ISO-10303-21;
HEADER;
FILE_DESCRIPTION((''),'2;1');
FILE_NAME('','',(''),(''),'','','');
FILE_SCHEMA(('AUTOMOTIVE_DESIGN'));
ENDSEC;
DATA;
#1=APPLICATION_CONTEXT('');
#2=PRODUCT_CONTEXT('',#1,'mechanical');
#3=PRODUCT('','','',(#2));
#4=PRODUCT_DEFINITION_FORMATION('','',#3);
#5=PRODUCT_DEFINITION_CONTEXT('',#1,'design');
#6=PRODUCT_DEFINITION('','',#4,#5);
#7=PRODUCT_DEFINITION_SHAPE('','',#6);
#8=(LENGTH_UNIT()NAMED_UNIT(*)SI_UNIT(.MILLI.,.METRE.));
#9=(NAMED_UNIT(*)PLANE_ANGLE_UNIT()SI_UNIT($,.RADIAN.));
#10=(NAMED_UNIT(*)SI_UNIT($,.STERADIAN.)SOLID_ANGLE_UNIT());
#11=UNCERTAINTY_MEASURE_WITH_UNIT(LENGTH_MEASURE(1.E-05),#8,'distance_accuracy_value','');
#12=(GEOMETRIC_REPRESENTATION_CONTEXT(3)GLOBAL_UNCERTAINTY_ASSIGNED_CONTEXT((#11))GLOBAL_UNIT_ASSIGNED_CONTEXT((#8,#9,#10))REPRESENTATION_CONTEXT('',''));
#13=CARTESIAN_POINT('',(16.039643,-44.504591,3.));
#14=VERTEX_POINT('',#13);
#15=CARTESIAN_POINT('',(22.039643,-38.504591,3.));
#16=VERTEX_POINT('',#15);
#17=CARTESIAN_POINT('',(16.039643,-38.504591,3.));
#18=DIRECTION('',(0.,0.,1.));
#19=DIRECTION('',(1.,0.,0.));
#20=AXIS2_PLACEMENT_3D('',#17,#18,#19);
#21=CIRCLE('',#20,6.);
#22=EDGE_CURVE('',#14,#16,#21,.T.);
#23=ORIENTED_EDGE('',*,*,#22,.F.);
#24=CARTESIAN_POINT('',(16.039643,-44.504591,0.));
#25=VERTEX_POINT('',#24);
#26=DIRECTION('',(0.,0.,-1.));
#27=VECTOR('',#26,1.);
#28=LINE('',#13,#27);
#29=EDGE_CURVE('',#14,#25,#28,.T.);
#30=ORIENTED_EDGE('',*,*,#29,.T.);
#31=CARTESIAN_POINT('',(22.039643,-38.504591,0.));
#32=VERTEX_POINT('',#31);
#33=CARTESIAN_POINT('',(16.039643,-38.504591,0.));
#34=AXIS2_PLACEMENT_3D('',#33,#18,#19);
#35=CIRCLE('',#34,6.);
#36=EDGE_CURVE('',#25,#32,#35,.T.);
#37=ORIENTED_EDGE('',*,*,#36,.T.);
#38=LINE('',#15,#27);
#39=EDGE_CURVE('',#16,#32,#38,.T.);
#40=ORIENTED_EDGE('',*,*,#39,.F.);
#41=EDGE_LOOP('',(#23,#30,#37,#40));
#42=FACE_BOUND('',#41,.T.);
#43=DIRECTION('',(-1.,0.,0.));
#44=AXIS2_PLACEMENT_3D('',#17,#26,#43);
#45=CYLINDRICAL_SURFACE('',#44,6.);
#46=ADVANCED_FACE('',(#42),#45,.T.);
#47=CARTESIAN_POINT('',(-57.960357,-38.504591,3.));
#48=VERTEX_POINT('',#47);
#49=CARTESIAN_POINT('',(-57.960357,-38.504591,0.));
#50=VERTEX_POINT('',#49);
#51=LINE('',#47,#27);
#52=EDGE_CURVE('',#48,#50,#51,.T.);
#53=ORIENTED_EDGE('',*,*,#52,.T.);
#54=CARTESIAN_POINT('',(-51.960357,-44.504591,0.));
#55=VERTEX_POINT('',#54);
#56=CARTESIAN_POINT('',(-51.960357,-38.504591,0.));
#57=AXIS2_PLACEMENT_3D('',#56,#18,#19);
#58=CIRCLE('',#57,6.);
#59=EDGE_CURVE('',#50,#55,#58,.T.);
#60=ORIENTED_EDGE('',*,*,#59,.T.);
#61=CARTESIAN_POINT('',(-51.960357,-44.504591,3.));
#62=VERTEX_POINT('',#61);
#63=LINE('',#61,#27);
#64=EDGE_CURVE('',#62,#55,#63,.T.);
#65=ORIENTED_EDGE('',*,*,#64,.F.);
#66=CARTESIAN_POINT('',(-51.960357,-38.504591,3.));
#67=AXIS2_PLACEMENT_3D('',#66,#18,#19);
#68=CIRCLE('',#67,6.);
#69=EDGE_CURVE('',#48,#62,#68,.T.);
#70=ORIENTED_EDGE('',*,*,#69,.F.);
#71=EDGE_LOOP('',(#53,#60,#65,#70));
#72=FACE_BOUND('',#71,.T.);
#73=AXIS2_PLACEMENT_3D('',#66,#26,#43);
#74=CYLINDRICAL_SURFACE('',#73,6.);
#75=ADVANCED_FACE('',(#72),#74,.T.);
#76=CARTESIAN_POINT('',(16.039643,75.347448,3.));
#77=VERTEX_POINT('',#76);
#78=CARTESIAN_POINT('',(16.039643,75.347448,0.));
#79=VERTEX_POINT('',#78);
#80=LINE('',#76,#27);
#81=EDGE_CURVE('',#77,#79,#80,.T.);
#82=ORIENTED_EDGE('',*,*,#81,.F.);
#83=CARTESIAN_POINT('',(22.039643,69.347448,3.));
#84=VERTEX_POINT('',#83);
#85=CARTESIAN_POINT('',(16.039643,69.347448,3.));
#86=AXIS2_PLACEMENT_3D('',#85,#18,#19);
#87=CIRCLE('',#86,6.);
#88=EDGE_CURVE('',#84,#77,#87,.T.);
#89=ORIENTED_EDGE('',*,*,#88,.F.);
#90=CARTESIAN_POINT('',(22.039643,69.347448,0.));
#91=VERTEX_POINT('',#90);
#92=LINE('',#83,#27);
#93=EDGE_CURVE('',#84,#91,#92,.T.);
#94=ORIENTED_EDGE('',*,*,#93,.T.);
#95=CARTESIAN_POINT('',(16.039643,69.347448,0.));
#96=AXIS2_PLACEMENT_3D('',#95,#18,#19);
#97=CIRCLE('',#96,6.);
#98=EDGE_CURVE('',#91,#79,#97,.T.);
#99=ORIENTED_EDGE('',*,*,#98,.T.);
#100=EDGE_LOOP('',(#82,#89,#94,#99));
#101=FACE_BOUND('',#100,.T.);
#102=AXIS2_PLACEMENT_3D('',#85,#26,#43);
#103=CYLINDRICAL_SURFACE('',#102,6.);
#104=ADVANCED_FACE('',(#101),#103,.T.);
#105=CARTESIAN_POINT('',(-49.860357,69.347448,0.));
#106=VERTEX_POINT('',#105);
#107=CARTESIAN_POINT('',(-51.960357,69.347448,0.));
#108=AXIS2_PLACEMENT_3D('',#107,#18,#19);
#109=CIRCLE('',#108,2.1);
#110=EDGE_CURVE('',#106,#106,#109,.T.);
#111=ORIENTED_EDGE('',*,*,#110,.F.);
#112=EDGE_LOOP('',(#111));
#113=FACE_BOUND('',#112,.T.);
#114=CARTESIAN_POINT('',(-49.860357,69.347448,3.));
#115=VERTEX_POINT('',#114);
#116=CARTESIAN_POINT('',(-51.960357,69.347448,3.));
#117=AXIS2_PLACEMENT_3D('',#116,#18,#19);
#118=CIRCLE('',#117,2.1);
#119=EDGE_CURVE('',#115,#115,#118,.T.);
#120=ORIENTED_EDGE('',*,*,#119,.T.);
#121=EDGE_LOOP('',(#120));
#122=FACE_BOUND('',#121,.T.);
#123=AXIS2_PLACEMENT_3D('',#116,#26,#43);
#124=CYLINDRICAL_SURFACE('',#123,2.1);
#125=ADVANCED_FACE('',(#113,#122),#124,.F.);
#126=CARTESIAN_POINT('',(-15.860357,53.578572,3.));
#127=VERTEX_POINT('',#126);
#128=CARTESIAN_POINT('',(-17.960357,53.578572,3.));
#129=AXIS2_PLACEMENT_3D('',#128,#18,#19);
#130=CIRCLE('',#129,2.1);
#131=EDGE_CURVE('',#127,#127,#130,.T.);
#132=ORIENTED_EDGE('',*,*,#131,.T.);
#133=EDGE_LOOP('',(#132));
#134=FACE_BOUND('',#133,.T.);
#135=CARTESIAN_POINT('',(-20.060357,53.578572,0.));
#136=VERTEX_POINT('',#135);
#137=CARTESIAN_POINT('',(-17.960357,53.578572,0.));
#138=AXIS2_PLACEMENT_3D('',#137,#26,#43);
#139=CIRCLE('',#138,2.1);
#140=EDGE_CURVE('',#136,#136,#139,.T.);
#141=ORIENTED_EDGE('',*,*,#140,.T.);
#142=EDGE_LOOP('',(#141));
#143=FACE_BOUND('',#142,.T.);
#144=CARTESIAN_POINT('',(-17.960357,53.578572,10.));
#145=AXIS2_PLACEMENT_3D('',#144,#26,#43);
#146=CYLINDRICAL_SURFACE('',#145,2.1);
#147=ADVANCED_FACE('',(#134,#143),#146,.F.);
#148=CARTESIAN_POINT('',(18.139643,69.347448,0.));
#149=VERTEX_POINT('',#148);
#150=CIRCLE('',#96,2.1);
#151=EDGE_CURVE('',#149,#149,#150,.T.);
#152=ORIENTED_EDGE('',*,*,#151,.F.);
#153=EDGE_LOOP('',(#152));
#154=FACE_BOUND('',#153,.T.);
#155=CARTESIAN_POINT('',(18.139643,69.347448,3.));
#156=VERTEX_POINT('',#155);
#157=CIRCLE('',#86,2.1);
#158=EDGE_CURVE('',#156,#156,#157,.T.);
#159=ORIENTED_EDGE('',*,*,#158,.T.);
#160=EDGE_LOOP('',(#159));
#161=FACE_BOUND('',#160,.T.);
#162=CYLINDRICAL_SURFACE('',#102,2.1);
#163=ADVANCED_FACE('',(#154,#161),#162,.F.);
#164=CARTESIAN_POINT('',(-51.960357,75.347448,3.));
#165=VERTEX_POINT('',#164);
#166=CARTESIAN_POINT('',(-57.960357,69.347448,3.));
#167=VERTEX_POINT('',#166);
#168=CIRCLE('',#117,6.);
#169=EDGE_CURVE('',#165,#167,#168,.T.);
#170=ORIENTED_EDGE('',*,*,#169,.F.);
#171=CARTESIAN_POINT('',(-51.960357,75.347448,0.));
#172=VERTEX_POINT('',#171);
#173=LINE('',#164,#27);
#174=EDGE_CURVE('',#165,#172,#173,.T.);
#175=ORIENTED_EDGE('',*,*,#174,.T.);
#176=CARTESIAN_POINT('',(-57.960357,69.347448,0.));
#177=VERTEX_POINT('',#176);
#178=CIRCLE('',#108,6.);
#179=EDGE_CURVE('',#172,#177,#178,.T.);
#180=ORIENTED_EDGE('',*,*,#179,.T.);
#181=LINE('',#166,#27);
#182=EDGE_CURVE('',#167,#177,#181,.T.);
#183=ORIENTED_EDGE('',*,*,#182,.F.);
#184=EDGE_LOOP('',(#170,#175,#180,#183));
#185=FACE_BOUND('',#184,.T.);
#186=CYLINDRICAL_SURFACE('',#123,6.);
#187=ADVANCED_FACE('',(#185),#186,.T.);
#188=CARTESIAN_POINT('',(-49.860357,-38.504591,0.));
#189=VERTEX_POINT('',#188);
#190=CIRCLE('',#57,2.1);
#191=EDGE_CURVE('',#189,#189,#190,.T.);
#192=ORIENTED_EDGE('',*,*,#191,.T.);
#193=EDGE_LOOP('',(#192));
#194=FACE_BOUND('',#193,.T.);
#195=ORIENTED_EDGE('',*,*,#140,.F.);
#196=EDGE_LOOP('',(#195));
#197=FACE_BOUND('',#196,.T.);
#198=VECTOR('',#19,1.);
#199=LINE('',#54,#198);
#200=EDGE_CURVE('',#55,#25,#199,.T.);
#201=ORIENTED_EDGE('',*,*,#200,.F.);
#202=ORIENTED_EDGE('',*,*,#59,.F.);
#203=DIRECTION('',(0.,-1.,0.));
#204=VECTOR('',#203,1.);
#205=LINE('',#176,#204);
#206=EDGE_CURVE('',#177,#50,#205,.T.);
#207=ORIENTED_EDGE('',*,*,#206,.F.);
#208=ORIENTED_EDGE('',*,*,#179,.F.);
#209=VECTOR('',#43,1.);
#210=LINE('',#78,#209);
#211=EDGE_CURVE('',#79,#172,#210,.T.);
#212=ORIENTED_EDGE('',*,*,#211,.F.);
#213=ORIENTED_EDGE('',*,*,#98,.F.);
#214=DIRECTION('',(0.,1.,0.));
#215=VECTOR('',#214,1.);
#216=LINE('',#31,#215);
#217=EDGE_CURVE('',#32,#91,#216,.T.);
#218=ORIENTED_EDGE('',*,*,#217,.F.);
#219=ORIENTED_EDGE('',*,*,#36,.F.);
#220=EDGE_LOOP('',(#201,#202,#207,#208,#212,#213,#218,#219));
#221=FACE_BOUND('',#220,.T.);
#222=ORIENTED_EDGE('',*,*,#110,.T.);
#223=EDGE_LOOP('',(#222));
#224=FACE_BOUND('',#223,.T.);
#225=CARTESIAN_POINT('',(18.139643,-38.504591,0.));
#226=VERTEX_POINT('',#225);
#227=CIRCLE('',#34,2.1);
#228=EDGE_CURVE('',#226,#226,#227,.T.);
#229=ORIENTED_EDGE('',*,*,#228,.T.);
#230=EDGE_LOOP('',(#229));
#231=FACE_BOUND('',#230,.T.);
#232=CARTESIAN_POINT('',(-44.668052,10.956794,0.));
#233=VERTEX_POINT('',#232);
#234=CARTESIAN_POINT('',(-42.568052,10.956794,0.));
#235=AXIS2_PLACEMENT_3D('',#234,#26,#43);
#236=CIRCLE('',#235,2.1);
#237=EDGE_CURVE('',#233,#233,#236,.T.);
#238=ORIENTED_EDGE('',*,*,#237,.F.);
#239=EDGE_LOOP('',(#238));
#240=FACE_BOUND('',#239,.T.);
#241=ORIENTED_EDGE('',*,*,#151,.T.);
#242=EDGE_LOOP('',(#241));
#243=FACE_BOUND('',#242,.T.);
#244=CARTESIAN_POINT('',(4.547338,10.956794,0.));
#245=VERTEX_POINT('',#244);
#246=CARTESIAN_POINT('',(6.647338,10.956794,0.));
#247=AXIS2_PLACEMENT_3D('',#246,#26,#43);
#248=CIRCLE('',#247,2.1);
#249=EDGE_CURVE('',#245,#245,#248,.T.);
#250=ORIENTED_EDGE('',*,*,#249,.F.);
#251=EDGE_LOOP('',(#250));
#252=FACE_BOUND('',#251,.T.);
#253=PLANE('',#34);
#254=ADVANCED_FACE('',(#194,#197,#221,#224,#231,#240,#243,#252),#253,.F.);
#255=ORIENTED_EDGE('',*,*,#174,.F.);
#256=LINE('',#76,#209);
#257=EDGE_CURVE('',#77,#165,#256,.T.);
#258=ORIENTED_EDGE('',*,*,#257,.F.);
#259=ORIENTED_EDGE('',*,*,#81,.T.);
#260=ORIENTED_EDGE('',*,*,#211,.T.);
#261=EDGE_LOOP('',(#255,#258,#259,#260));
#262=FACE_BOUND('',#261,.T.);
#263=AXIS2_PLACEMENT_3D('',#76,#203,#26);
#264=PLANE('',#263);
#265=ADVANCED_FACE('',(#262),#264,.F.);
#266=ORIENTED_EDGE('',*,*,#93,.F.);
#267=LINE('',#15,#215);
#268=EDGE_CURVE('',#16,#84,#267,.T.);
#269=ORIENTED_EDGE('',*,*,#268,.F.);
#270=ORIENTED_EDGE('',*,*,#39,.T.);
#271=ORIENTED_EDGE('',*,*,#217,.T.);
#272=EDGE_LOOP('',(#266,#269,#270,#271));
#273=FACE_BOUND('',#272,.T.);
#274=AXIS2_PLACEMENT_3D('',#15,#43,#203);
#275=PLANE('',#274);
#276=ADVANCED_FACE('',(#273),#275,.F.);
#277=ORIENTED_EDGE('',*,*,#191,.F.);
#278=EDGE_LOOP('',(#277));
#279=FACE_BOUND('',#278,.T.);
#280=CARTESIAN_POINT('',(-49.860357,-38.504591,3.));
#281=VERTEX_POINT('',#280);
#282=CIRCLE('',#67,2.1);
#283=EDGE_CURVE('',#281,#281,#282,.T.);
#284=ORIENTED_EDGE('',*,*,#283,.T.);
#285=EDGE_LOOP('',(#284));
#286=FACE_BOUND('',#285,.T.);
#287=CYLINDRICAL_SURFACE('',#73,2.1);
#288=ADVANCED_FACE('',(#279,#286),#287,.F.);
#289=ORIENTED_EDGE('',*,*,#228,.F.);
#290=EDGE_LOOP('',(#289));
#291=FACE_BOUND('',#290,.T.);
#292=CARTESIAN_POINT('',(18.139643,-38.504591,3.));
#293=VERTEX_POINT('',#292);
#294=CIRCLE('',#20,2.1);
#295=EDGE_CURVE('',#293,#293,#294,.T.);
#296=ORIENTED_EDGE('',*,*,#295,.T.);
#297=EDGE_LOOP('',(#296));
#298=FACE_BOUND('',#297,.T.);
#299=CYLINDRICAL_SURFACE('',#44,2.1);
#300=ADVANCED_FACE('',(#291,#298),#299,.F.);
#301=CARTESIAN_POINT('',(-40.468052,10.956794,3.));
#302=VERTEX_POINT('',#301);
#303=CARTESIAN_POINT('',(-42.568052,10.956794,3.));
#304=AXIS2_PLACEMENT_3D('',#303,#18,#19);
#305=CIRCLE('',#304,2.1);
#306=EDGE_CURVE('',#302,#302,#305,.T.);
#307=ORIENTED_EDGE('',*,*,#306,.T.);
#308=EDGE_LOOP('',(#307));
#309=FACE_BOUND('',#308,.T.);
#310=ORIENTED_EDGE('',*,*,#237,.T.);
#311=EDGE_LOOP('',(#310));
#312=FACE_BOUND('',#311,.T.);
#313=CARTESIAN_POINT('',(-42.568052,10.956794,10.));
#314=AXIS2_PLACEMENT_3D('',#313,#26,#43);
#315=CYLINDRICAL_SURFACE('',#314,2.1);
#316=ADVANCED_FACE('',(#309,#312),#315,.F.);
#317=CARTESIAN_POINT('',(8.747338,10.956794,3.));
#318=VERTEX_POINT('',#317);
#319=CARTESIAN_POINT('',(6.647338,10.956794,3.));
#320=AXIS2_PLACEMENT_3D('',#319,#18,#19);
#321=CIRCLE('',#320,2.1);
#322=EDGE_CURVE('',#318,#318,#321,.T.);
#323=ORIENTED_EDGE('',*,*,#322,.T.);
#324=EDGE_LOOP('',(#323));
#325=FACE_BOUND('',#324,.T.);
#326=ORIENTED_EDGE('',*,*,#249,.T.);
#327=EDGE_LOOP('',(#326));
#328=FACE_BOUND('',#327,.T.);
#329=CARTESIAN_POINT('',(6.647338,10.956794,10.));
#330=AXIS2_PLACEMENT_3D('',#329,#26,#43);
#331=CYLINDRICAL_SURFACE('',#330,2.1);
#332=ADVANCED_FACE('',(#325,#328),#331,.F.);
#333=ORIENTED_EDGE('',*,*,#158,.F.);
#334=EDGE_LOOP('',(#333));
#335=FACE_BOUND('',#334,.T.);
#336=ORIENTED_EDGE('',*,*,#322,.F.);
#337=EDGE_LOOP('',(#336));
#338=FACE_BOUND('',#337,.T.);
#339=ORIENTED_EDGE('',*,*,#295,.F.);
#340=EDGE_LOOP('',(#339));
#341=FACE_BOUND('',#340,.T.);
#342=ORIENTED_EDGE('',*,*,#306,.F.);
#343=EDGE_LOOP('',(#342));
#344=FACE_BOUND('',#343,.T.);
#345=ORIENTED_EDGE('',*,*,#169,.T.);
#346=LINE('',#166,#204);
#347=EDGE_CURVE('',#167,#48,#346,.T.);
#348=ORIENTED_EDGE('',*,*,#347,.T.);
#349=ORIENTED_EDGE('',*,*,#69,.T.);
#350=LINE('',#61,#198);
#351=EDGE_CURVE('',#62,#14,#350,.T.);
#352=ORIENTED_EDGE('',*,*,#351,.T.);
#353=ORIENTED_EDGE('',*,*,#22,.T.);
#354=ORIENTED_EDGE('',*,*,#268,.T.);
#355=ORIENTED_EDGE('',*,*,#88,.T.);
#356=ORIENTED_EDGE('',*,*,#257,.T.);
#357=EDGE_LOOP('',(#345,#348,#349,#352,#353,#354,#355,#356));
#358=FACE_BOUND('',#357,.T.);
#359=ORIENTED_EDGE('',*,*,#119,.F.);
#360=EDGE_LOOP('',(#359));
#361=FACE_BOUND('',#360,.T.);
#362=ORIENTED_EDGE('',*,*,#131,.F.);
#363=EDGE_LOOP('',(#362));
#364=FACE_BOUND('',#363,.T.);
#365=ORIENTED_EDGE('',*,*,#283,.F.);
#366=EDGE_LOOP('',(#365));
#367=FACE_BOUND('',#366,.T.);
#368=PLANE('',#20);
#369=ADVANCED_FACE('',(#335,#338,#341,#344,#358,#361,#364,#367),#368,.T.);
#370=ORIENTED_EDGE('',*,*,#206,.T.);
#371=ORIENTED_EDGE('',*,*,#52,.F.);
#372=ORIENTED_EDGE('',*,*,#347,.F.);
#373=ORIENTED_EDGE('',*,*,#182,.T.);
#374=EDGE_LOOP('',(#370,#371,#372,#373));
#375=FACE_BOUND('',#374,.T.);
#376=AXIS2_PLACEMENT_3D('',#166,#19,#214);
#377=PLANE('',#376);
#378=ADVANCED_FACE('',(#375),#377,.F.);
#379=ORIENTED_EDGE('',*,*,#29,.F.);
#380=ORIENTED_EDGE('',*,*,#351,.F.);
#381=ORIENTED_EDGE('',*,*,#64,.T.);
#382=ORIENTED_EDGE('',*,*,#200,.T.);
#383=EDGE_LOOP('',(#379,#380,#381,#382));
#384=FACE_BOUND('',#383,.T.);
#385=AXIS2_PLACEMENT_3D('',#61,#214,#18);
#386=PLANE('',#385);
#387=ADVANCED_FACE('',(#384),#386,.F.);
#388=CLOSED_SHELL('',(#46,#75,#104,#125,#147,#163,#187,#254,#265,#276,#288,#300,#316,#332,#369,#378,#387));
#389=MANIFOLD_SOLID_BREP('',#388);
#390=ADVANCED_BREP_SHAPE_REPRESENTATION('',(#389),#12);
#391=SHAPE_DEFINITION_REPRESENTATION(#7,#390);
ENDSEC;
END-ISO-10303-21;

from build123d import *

# Parameters (mm, degrees)
IZIM1_R                     = 2.1
Y_KSEKLIK_EKSTR_ZYON1_DEPTH = 3
IZIM2_R                     = 2.1
KES_EKSTR_ZYON1_DEPTH       = 10


with BuildPart() as part:
    # Çizim1 → Yükseklik-Ekstrüzyon1 (new body)
    with BuildSketch(Plane.XY):
        with BuildLine():
            Line((22.039642989, -38.504590939), (22.039642989, 69.347448082))
            ThreePointArc((22.039642989, 69.347448082), (20.282283676, 73.590088769), (16.039642989, 75.347448082))
            Line((16.039642989, 75.347448082), (-51.960357011, 75.347448082))
            ThreePointArc((-51.960357011, 75.347448082), (-56.202997698, 73.590088769), (-57.960357011, 69.347448082))
            Line((-57.960357011, 69.347448082), (-57.960357011, -38.504590939))
            ThreePointArc((-57.960357011, -38.504590939), (-56.202997698, -42.747231626), (-51.960357011, -44.504590939))
            Line((-51.960357011, -44.504590939), (16.039642989, -44.504590939))
            ThreePointArc((16.039642989, -44.504590939), (20.282283676, -42.747231626), (22.039642989, -38.504590939))
        make_face()
        with Locations((-51.960357011, -38.504590939)):
            Circle(IZIM1_R, mode=Mode.SUBTRACT)
        with Locations((16.039642989, -38.504590939)):
            Circle(IZIM1_R, mode=Mode.SUBTRACT)
        with Locations((16.039642989, 69.347448082)):
            Circle(IZIM1_R, mode=Mode.SUBTRACT)
        with Locations((-51.960357011, 69.347448082)):
            Circle(IZIM1_R, mode=Mode.SUBTRACT)
    extrude(amount=Y_KSEKLIK_EKSTR_ZYON1_DEPTH)

    # Çizim2 → Kes-Ekstrüzyon1 (cut)
    with BuildSketch(Plane(origin=(0, 0, 0), x_dir=(-1, 0, 0), z_dir=(0, 0, -1))):
        with Locations((17.960357011, 53.578572425)):
            Circle(IZIM2_R)
        with Locations((42.568052166, 10.95679416)):
            Circle(IZIM2_R)
        with Locations((-6.647338144, 10.95679416)):
            Circle(IZIM2_R)
    extrude(amount=-KES_EKSTR_ZYON1_DEPTH, mode=Mode.SUBTRACT)


solid = part.part
